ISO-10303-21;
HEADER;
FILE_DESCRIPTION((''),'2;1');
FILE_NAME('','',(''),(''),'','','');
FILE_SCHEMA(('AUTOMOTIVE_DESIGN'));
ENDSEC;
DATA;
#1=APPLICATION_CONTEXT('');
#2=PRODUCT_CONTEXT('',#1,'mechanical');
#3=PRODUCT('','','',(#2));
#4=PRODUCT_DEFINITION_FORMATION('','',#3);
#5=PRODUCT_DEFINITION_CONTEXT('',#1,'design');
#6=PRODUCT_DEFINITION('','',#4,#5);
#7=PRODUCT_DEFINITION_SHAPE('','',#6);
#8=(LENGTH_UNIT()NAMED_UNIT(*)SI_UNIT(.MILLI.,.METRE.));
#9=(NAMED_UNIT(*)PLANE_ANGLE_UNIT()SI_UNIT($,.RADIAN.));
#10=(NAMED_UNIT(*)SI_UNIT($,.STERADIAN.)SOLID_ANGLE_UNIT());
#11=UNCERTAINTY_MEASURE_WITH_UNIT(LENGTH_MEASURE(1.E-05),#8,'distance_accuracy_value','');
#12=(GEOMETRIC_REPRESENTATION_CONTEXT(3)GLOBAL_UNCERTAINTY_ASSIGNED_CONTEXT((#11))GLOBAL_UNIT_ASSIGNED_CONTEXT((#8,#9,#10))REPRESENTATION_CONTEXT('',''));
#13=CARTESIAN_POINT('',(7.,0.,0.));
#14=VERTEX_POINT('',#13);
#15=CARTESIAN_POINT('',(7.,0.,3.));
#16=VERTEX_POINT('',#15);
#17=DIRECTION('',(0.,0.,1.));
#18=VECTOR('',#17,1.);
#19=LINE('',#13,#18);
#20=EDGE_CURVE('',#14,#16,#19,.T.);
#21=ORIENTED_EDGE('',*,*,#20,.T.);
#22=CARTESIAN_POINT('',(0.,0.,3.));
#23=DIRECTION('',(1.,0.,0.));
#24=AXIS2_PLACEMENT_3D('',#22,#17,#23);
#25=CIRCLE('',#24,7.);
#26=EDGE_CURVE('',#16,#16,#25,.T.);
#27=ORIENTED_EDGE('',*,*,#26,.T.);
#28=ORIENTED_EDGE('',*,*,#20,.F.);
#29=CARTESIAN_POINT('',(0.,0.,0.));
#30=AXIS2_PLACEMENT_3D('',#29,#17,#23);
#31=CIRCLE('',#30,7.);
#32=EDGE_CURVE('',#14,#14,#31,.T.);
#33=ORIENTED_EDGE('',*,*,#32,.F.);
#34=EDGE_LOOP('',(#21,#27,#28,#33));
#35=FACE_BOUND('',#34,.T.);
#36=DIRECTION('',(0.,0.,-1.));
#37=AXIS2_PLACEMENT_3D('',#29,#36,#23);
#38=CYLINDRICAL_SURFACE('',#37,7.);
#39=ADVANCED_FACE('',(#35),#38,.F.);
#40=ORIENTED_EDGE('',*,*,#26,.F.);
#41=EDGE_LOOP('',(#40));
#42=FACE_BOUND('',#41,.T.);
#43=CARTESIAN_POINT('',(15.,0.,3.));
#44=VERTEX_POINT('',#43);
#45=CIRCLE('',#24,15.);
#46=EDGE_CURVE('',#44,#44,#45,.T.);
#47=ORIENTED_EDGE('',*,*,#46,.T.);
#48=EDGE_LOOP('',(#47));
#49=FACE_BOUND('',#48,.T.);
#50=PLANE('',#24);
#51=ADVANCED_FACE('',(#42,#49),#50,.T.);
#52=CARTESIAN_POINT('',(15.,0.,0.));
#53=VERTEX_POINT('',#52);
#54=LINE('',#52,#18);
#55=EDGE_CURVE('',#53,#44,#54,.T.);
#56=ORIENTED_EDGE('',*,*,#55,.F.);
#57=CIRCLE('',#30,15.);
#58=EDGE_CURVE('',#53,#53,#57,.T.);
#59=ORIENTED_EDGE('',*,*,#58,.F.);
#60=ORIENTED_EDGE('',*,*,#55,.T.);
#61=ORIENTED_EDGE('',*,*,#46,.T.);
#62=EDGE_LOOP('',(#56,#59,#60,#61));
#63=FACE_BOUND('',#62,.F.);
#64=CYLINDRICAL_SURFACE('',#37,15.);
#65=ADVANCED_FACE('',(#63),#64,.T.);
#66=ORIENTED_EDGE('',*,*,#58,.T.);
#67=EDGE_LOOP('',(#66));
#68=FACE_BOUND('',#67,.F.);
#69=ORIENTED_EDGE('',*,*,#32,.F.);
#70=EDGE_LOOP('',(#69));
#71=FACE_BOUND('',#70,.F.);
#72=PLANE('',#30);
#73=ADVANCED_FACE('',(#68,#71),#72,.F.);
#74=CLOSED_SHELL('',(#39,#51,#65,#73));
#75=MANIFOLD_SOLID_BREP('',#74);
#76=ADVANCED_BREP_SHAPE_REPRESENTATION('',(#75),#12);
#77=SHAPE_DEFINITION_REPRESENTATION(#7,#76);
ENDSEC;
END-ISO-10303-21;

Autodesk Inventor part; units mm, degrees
ref_plane "YZ Plane" through (0, 0, 0) normal (1, 0, 0) x (0, 1, 0)
ref_plane "XZ Plane" through (0, 0, 0) normal (0, 1, 0) x (-1, 0, 0)
ref_plane "XY Plane" through (0, 0, 0) normal (0, 0, 1) x (1, 0, 0)
sketch "Sketch1" plane through (0, 0, 0) normal (0, 0, 1) x (1, 0, 0)
  circle A0 centre (0, 0) radius 15
  circle A1 centre (0, 0) radius 7
  dimension "d0" = 30
  dimension "d1" = 14
extrude "Extrusion1" add sketch "Sketch1" along normal blind 3
